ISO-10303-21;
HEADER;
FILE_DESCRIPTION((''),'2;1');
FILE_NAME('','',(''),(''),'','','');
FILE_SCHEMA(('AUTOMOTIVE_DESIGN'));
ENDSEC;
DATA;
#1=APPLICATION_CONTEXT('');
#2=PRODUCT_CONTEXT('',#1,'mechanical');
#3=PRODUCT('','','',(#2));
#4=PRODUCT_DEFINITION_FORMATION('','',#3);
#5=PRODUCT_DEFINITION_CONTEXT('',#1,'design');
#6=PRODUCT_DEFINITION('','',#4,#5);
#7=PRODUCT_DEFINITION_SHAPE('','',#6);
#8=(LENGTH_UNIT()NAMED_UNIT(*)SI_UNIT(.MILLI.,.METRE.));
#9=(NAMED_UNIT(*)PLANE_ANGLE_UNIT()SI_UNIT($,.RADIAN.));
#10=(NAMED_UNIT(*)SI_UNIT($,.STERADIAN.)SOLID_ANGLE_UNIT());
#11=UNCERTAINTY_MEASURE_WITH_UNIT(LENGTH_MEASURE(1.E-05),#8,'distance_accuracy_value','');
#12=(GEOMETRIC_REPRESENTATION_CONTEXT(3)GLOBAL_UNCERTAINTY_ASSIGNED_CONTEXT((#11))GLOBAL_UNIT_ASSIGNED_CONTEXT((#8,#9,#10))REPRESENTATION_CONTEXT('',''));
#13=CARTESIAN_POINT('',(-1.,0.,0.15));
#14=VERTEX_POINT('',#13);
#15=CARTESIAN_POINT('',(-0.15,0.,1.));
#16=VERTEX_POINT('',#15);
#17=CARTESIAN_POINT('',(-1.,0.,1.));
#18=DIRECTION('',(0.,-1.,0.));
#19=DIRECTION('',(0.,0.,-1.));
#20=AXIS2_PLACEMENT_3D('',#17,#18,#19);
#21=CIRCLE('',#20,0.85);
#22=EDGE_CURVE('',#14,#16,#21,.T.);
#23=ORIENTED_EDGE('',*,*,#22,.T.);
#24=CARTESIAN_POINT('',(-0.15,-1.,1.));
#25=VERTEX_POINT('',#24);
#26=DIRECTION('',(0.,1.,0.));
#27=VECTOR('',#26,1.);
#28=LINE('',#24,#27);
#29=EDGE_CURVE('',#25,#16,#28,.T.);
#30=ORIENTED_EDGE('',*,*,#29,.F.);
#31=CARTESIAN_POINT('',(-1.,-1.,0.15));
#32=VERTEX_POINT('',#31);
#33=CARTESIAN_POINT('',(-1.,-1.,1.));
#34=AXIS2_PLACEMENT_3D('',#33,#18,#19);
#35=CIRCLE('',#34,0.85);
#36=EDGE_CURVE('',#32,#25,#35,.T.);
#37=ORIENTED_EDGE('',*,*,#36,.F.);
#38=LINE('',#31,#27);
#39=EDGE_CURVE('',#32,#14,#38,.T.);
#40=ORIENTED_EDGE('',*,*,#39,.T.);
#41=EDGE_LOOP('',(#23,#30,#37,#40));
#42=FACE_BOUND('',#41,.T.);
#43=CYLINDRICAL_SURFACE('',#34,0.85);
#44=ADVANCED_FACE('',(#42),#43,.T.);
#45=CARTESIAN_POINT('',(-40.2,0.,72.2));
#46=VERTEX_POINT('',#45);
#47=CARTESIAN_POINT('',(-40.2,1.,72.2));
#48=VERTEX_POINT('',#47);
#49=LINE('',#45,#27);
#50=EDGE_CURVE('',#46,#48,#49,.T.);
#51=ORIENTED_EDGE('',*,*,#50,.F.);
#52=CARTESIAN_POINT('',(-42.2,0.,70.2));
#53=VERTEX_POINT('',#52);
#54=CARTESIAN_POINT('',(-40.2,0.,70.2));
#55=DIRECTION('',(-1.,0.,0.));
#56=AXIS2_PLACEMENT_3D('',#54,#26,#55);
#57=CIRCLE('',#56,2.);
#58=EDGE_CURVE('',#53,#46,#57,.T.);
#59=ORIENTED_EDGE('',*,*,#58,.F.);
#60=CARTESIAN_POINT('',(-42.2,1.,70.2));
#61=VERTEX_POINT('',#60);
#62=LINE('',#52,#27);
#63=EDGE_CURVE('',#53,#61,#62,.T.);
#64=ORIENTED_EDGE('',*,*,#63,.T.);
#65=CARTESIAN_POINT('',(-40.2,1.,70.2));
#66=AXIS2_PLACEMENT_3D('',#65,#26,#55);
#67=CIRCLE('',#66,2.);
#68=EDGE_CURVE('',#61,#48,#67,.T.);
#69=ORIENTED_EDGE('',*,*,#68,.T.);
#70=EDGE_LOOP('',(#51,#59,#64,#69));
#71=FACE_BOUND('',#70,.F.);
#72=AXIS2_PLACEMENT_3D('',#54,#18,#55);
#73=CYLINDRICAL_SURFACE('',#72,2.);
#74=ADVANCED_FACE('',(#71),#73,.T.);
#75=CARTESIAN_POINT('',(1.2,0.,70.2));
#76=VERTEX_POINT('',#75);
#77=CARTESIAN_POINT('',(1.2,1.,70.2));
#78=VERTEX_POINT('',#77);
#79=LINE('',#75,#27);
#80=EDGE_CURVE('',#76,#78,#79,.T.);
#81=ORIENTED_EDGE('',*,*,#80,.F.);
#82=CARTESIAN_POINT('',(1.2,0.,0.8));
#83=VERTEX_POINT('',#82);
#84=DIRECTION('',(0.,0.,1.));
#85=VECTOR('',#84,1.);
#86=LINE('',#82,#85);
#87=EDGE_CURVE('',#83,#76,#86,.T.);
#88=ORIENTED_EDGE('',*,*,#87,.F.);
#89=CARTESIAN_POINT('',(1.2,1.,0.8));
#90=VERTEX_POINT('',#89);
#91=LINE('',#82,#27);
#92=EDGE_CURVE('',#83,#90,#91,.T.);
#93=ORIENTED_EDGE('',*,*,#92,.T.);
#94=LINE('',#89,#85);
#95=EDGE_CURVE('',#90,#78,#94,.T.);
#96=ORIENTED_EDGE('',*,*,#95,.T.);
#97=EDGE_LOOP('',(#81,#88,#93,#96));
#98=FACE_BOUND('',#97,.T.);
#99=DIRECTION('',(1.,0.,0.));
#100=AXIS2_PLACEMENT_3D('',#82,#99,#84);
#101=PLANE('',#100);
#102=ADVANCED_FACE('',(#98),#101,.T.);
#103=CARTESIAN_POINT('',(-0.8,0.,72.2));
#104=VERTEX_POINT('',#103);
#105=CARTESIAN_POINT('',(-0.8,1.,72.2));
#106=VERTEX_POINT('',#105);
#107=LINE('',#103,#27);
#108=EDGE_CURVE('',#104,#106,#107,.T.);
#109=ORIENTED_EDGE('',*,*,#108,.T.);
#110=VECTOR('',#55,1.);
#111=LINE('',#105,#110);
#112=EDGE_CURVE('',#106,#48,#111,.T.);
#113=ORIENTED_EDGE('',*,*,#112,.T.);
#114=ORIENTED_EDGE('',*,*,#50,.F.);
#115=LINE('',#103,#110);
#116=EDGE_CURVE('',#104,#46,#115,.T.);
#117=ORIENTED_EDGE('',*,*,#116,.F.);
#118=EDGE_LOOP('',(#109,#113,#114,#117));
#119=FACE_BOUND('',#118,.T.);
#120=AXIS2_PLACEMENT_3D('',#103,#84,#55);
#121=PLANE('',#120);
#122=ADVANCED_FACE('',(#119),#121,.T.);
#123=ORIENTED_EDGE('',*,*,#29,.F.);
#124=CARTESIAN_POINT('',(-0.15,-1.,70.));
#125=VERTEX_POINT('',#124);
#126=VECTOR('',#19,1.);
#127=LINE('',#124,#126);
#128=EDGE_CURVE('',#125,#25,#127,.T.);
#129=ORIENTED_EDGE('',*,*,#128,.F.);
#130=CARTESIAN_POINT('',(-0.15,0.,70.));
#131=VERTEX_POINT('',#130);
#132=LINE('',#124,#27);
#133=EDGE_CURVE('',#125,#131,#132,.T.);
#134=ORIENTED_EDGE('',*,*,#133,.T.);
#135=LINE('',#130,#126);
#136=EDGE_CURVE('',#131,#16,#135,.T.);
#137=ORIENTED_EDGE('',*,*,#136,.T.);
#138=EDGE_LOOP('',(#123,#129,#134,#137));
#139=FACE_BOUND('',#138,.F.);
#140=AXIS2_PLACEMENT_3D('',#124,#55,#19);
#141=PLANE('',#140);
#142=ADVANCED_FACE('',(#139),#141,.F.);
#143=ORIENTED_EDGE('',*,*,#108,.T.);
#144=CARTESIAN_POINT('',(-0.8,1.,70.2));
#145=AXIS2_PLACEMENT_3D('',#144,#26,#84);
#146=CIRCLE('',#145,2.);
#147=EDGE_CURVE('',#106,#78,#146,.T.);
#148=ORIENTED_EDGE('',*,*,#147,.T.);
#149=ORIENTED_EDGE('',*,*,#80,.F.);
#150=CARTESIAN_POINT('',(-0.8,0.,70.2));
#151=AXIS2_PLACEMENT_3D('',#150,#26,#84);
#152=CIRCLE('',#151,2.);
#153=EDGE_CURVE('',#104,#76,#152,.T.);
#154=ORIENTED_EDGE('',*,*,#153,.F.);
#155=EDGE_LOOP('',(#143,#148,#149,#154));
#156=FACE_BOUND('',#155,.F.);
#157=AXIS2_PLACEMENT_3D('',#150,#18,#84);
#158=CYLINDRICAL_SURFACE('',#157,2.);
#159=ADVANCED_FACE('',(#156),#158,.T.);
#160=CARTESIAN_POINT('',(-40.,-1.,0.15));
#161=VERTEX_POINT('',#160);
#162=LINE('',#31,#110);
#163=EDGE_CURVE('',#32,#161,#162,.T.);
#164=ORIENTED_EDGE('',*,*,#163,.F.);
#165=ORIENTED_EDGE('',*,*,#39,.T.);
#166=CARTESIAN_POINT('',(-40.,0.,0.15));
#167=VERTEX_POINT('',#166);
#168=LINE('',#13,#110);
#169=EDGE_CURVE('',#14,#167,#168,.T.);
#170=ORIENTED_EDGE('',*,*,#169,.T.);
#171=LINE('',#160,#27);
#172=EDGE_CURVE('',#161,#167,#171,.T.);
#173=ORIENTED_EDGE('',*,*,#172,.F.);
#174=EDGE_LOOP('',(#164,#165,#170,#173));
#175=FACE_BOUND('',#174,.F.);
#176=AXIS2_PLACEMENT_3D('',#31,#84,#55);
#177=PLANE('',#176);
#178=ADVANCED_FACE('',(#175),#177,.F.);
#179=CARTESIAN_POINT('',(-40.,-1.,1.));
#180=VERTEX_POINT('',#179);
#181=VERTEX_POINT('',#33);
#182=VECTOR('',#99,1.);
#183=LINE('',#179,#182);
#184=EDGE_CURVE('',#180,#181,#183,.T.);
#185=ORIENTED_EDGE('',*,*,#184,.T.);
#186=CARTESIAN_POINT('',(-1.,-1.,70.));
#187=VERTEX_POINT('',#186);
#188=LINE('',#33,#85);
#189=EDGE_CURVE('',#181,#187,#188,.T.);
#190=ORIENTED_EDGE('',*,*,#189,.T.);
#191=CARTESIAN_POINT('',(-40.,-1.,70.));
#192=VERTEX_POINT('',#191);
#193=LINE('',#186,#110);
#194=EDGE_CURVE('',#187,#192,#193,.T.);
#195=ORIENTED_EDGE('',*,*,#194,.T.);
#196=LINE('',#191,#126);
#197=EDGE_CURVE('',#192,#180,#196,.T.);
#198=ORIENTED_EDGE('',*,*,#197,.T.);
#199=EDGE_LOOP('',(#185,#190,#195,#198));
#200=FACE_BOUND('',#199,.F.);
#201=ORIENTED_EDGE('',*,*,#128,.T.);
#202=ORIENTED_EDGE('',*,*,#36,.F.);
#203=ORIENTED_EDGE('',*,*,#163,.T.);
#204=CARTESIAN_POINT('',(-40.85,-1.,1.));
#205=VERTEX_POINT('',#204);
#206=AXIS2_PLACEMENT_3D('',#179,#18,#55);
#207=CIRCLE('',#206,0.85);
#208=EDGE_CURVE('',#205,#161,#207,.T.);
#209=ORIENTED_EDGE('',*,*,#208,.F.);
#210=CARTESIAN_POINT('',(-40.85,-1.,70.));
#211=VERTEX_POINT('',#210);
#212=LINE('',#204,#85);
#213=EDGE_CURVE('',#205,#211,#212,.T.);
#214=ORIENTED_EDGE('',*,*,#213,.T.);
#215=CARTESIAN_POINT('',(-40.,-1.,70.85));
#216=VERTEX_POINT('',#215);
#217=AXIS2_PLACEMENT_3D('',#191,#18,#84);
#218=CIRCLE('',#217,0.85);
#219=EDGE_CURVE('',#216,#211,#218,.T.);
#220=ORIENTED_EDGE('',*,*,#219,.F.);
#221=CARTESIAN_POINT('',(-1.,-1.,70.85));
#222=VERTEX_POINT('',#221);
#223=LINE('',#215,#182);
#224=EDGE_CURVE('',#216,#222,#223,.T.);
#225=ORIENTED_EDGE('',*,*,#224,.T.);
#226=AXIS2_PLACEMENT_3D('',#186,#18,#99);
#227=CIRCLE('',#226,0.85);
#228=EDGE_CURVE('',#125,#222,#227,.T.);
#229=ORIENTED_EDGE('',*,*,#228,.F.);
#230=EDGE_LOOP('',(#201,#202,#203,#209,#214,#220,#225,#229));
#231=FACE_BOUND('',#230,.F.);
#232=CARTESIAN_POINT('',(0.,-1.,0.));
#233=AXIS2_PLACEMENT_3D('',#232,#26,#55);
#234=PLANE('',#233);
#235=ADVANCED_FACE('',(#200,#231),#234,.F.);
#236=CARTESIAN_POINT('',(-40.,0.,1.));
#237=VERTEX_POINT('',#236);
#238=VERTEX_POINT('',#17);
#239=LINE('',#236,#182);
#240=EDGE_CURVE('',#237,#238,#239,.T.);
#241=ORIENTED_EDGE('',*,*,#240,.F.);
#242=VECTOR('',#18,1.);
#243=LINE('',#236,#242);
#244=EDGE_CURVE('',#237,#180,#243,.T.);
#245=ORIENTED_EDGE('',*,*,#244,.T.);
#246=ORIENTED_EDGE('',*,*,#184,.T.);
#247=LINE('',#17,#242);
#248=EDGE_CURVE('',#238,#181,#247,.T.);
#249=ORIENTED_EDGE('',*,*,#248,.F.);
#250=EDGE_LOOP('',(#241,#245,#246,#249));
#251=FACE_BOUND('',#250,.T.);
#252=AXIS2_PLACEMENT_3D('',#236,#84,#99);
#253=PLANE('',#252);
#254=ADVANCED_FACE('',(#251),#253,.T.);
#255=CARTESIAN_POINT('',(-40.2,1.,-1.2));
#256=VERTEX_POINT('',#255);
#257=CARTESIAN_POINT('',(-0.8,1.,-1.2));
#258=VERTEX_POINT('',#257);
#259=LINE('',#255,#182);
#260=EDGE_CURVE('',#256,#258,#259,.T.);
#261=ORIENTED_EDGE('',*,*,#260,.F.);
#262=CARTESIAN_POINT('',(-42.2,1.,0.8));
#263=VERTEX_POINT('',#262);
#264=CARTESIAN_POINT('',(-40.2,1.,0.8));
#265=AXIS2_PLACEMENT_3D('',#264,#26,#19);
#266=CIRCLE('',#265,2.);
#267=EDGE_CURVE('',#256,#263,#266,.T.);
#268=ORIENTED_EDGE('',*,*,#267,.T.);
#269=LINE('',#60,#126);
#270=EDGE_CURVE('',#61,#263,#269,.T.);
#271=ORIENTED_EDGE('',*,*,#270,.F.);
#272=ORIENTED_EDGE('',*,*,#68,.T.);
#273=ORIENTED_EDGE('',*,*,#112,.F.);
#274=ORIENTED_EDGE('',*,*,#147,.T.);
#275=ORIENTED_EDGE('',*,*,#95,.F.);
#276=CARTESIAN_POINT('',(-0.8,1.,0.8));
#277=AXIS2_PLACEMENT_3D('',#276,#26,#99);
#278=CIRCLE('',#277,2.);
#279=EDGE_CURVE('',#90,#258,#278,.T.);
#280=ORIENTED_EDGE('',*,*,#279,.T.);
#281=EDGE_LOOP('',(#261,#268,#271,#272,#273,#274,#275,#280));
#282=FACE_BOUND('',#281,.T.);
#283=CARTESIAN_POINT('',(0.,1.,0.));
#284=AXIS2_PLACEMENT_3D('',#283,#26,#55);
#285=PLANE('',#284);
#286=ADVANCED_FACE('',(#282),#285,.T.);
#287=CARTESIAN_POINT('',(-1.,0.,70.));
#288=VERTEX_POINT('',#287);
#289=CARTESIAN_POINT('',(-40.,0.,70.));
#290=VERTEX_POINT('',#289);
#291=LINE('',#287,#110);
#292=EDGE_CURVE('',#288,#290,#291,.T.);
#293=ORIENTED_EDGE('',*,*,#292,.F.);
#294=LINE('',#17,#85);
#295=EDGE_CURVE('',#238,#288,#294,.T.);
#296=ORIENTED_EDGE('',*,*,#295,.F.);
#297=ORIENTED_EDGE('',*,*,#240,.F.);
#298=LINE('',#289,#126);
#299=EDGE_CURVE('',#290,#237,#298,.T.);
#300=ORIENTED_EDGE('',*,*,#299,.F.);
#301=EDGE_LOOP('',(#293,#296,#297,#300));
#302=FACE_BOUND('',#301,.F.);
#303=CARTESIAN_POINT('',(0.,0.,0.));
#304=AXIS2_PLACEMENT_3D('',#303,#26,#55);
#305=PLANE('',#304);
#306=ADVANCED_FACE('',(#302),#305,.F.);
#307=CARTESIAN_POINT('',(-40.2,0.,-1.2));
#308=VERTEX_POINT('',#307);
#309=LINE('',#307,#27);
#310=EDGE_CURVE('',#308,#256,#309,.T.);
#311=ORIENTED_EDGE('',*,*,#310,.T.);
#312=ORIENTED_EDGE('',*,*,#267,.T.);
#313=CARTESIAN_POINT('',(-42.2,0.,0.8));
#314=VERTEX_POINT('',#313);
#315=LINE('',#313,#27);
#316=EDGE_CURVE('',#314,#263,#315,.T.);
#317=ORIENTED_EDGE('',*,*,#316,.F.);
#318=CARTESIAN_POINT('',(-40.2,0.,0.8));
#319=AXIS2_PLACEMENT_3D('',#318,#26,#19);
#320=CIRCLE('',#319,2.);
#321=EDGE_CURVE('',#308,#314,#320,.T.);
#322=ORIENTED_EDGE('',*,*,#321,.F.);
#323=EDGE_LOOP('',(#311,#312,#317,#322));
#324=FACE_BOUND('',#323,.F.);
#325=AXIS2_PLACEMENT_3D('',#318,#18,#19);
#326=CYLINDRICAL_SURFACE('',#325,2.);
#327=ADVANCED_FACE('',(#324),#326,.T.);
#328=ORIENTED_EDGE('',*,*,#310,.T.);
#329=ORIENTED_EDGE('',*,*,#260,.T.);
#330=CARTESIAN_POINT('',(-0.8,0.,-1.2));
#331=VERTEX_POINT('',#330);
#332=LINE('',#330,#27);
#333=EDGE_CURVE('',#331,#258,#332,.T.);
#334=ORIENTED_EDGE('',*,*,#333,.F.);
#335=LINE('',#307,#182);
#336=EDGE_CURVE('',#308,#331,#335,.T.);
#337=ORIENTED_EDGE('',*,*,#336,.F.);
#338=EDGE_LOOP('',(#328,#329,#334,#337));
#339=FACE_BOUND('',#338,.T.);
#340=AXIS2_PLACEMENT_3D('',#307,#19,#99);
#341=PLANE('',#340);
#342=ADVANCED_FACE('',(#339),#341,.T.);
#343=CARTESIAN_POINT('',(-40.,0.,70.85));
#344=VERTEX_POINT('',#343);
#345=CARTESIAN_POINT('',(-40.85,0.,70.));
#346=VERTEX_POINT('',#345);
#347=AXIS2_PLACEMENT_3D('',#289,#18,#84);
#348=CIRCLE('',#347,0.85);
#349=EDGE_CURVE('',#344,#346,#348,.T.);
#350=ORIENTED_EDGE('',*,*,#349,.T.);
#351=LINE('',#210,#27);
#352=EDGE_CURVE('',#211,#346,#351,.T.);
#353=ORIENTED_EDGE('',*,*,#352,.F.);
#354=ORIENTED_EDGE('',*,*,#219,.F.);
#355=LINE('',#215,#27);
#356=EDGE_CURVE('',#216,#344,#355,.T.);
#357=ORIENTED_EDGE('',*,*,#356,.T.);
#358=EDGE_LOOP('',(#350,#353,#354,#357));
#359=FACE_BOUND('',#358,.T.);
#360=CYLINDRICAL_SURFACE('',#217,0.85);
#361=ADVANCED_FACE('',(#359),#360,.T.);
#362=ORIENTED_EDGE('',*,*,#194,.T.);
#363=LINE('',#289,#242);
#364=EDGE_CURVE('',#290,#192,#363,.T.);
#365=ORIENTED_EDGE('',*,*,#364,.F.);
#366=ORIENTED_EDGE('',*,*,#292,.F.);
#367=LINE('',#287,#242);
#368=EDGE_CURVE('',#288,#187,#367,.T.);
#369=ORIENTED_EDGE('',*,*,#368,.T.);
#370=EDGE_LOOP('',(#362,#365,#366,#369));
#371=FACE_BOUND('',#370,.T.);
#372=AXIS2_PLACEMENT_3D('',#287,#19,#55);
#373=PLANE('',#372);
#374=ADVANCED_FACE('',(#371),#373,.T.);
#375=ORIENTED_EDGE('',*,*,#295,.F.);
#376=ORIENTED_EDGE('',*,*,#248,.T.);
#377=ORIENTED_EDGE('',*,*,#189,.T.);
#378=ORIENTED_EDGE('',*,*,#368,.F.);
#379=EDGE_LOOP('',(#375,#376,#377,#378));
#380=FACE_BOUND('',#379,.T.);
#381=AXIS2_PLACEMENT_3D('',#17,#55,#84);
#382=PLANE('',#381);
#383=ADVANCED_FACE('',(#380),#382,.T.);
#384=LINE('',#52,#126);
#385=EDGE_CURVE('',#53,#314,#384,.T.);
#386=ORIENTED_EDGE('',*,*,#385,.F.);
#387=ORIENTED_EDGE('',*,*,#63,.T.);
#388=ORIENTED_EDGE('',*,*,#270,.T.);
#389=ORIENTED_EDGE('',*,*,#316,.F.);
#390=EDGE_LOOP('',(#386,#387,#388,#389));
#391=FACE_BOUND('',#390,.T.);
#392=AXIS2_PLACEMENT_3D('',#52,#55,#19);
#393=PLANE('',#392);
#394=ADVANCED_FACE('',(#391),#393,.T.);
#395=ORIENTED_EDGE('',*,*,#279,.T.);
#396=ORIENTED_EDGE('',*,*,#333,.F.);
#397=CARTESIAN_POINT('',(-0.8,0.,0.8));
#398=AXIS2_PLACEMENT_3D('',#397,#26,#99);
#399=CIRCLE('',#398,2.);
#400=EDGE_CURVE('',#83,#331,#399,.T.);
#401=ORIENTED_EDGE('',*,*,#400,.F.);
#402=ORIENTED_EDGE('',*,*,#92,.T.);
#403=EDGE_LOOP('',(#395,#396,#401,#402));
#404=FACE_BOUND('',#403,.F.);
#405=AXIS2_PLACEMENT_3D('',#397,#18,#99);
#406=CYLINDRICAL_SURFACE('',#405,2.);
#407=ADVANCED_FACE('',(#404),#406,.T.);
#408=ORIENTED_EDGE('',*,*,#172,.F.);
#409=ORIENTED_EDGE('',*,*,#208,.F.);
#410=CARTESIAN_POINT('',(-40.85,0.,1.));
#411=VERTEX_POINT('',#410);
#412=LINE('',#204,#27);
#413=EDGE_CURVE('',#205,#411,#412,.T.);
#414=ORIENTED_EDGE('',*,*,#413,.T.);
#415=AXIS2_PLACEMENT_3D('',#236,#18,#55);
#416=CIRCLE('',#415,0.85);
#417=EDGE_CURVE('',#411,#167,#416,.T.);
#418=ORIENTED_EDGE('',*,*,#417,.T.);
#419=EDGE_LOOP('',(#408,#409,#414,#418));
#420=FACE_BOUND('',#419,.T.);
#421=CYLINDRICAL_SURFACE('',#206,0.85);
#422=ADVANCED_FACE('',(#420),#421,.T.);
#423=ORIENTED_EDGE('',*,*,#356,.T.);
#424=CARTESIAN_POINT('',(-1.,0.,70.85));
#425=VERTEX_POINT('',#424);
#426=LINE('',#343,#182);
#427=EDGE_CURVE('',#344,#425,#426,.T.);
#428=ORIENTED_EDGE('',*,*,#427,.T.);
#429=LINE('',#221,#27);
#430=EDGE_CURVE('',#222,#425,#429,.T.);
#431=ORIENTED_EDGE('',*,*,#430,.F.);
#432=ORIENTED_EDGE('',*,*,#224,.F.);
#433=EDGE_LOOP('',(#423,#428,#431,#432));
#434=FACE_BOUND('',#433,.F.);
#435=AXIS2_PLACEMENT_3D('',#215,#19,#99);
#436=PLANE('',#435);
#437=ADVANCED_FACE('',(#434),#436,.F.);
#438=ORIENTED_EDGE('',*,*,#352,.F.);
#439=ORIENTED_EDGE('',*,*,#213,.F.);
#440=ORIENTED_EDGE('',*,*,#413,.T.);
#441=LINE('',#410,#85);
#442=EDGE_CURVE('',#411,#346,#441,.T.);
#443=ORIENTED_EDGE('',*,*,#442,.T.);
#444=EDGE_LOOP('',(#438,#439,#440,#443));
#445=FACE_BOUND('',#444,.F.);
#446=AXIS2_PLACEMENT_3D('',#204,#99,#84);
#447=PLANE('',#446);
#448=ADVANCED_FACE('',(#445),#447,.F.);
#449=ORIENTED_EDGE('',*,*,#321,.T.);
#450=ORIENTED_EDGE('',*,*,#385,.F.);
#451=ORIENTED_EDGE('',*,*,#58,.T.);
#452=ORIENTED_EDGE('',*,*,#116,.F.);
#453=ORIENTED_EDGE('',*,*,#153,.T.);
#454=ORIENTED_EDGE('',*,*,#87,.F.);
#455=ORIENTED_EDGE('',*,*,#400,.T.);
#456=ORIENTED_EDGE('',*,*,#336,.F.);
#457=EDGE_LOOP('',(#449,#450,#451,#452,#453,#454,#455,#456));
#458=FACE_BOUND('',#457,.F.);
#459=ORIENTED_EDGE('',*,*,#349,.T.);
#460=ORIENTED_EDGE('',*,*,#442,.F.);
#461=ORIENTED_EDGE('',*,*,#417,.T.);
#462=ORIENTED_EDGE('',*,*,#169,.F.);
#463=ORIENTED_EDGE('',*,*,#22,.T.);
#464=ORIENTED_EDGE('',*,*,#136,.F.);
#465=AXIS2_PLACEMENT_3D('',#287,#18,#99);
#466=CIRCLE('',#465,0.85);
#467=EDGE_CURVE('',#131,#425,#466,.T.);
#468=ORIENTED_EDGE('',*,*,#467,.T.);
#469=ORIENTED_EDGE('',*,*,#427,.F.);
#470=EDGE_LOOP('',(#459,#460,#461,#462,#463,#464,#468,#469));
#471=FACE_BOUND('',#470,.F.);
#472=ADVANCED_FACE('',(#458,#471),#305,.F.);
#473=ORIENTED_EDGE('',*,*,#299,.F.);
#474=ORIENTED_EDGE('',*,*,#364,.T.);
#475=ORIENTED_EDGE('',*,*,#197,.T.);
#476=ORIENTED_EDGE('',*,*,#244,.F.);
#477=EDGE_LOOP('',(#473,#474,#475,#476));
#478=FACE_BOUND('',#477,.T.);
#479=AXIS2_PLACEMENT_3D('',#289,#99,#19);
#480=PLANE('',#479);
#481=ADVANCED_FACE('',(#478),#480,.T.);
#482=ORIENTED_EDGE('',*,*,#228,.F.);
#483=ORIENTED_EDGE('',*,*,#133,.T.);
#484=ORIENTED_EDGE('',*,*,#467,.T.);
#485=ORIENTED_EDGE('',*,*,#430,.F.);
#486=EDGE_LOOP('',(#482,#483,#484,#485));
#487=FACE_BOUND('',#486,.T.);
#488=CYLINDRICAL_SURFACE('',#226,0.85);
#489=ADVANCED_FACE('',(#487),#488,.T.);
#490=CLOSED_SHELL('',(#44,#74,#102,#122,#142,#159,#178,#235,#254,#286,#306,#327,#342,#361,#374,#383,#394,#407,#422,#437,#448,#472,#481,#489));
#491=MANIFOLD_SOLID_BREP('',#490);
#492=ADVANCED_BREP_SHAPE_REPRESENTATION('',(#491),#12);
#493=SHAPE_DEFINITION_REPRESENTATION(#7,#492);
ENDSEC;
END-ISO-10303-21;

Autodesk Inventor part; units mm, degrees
ref_plane "YZ Plane" through (0, 0, 0) normal (1, 0, 0) x (0, 1, 0)
ref_plane "XZ Plane" through (0, 0, 0) normal (0, 1, 0) x (-1, 0, 0)
ref_plane "XY Plane" through (0, 0, 0) normal (0, 0, 1) x (1, 0, 0)
sketch "Skizze1" plane through (0, 0, 0) normal (0, 1, 0) x (-1, 0, 0)
  line L0 (1, 0) -> (40, 0)
  line L1 (41, 1) -> (41, 70)
  line L2 (40, 71) -> (1, 71)
  line L3 (0, 70) -> (0, 1)
  line L4 (42.2, 70.2) -> (42.2, 0.8)
  line L5 (40.2, -1.2) -> (0.8, -1.2)
  line L6 (-1.2, 0.8) -> (-1.2, 70.2)
  line L7 (0.8, 72.2) -> (40.2, 72.2)
  arc A0 (42.2, 70.2) -> (40.2, 72.2) centre (40.2, 70.2) ccw
  arc A1 (40.2, -1.2) -> (42.2, 0.8) centre (40.2, 0.8) ccw
  arc A2 (-1.2, 0.8) -> (0.8, -1.2) centre (0.8, 0.8) ccw
  arc A3 (0.8, 72.2) -> (-1.2, 70.2) centre (0.8, 70.2) ccw
  arc A4 (41, 70) -> (40, 71) centre (40, 70) ccw
  arc A5 (40, 0) -> (41, 1) centre (40, 1) ccw
  arc A6 (0, 1) -> (1, 0) centre (1, 1) ccw
  arc A7 (1, 71) -> (0, 70) centre (1, 70) ccw
  line L8 (1, 1) -> (1, 70)
  line L9 (1, 70) -> (40, 70)
  line L10 (40, 70) -> (40, 1)
  line L11 (40, 1) -> (1, 1)
  point P0 (0, 0)
  point P1 (41, 71)
  point P2 (41, 0)
  point P3 (0, 71)
  dimension "d0" = 41
  dimension "d1" = 71
  dimension "d2" = 1.2
  dimension "d3" = 2
  dimension "d4" = 1
  dimension "d5" = 1
  dimension "d6" = 1
  dimension "d9" = 1
extrude "Extrusion1" add sketch "Skizze1" along normal blind 1 contours A6 L3 A7 L2 A4 L1 A5 L0 | L4 A1 L5 A2 L6 A3 L7 A0 | L8 L9 L10 L11
extrude "Extrusion2" add sketch "Skizze1" against normal blind 1 contours A6 L3 A7 L2 A4 L1 A5 L0
sketch "Skizze3" plane through (0, -1, 0) normal (0, -1, 0) x (1, 0, 0)
  arc A0 (-41, 1) -> (-40, 0) centre (-40, 1) ccw projected
  line L0 (-40, 0) -> (-1, 0) projected
  arc A1 (-1, 0) -> (0, 1) centre (-1, 1) ccw projected
  line L1 (0, 1) -> (0, 70) projected
  arc A2 (0, 70) -> (-1, 71) centre (-1, 70) ccw projected
  line L2 (-1, 71) -> (-40, 71) projected
  arc A3 (-40, 71) -> (-41, 70) centre (-40, 70) ccw projected
  line L3 (-41, 70) -> (-41, 1) projected
  line L4 (-1, 70) -> (-1, 1) projected
  line L5 (-1, 1) -> (-40, 1) projected
  line L6 (-40, 1) -> (-40, 70) projected
  line L7 (-40, 70) -> (-1, 70) projected
  line L8 (-1, 0.15) -> (-40, 0.15)
  arc A4 (-40.85, 1) -> (-40, 0.15) centre (-40, 1) ccw
  line L9 (-40.85, 1) -> (-40.85, 70)
  arc A5 (-40, 70.85) -> (-40.85, 70) centre (-40, 70) ccw
  line L10 (-40, 70.85) -> (-1, 70.85)
  arc A6 (-0.15, 70) -> (-1, 70.85) centre (-1, 70) ccw
  line L11 (-0.15, 70) -> (-0.15, 1)
  arc A7 (-1, 0.15) -> (-0.15, 1) centre (-1, 1) ccw
  point P0 (0, 0)
  dimension "d12" = 0.15
extrude "Extrusion3" cut sketch "Skizze3" against normal blind 1 contours L3 A3 L2 A2 L1 A1 L0 A0
properties part number "boden"
